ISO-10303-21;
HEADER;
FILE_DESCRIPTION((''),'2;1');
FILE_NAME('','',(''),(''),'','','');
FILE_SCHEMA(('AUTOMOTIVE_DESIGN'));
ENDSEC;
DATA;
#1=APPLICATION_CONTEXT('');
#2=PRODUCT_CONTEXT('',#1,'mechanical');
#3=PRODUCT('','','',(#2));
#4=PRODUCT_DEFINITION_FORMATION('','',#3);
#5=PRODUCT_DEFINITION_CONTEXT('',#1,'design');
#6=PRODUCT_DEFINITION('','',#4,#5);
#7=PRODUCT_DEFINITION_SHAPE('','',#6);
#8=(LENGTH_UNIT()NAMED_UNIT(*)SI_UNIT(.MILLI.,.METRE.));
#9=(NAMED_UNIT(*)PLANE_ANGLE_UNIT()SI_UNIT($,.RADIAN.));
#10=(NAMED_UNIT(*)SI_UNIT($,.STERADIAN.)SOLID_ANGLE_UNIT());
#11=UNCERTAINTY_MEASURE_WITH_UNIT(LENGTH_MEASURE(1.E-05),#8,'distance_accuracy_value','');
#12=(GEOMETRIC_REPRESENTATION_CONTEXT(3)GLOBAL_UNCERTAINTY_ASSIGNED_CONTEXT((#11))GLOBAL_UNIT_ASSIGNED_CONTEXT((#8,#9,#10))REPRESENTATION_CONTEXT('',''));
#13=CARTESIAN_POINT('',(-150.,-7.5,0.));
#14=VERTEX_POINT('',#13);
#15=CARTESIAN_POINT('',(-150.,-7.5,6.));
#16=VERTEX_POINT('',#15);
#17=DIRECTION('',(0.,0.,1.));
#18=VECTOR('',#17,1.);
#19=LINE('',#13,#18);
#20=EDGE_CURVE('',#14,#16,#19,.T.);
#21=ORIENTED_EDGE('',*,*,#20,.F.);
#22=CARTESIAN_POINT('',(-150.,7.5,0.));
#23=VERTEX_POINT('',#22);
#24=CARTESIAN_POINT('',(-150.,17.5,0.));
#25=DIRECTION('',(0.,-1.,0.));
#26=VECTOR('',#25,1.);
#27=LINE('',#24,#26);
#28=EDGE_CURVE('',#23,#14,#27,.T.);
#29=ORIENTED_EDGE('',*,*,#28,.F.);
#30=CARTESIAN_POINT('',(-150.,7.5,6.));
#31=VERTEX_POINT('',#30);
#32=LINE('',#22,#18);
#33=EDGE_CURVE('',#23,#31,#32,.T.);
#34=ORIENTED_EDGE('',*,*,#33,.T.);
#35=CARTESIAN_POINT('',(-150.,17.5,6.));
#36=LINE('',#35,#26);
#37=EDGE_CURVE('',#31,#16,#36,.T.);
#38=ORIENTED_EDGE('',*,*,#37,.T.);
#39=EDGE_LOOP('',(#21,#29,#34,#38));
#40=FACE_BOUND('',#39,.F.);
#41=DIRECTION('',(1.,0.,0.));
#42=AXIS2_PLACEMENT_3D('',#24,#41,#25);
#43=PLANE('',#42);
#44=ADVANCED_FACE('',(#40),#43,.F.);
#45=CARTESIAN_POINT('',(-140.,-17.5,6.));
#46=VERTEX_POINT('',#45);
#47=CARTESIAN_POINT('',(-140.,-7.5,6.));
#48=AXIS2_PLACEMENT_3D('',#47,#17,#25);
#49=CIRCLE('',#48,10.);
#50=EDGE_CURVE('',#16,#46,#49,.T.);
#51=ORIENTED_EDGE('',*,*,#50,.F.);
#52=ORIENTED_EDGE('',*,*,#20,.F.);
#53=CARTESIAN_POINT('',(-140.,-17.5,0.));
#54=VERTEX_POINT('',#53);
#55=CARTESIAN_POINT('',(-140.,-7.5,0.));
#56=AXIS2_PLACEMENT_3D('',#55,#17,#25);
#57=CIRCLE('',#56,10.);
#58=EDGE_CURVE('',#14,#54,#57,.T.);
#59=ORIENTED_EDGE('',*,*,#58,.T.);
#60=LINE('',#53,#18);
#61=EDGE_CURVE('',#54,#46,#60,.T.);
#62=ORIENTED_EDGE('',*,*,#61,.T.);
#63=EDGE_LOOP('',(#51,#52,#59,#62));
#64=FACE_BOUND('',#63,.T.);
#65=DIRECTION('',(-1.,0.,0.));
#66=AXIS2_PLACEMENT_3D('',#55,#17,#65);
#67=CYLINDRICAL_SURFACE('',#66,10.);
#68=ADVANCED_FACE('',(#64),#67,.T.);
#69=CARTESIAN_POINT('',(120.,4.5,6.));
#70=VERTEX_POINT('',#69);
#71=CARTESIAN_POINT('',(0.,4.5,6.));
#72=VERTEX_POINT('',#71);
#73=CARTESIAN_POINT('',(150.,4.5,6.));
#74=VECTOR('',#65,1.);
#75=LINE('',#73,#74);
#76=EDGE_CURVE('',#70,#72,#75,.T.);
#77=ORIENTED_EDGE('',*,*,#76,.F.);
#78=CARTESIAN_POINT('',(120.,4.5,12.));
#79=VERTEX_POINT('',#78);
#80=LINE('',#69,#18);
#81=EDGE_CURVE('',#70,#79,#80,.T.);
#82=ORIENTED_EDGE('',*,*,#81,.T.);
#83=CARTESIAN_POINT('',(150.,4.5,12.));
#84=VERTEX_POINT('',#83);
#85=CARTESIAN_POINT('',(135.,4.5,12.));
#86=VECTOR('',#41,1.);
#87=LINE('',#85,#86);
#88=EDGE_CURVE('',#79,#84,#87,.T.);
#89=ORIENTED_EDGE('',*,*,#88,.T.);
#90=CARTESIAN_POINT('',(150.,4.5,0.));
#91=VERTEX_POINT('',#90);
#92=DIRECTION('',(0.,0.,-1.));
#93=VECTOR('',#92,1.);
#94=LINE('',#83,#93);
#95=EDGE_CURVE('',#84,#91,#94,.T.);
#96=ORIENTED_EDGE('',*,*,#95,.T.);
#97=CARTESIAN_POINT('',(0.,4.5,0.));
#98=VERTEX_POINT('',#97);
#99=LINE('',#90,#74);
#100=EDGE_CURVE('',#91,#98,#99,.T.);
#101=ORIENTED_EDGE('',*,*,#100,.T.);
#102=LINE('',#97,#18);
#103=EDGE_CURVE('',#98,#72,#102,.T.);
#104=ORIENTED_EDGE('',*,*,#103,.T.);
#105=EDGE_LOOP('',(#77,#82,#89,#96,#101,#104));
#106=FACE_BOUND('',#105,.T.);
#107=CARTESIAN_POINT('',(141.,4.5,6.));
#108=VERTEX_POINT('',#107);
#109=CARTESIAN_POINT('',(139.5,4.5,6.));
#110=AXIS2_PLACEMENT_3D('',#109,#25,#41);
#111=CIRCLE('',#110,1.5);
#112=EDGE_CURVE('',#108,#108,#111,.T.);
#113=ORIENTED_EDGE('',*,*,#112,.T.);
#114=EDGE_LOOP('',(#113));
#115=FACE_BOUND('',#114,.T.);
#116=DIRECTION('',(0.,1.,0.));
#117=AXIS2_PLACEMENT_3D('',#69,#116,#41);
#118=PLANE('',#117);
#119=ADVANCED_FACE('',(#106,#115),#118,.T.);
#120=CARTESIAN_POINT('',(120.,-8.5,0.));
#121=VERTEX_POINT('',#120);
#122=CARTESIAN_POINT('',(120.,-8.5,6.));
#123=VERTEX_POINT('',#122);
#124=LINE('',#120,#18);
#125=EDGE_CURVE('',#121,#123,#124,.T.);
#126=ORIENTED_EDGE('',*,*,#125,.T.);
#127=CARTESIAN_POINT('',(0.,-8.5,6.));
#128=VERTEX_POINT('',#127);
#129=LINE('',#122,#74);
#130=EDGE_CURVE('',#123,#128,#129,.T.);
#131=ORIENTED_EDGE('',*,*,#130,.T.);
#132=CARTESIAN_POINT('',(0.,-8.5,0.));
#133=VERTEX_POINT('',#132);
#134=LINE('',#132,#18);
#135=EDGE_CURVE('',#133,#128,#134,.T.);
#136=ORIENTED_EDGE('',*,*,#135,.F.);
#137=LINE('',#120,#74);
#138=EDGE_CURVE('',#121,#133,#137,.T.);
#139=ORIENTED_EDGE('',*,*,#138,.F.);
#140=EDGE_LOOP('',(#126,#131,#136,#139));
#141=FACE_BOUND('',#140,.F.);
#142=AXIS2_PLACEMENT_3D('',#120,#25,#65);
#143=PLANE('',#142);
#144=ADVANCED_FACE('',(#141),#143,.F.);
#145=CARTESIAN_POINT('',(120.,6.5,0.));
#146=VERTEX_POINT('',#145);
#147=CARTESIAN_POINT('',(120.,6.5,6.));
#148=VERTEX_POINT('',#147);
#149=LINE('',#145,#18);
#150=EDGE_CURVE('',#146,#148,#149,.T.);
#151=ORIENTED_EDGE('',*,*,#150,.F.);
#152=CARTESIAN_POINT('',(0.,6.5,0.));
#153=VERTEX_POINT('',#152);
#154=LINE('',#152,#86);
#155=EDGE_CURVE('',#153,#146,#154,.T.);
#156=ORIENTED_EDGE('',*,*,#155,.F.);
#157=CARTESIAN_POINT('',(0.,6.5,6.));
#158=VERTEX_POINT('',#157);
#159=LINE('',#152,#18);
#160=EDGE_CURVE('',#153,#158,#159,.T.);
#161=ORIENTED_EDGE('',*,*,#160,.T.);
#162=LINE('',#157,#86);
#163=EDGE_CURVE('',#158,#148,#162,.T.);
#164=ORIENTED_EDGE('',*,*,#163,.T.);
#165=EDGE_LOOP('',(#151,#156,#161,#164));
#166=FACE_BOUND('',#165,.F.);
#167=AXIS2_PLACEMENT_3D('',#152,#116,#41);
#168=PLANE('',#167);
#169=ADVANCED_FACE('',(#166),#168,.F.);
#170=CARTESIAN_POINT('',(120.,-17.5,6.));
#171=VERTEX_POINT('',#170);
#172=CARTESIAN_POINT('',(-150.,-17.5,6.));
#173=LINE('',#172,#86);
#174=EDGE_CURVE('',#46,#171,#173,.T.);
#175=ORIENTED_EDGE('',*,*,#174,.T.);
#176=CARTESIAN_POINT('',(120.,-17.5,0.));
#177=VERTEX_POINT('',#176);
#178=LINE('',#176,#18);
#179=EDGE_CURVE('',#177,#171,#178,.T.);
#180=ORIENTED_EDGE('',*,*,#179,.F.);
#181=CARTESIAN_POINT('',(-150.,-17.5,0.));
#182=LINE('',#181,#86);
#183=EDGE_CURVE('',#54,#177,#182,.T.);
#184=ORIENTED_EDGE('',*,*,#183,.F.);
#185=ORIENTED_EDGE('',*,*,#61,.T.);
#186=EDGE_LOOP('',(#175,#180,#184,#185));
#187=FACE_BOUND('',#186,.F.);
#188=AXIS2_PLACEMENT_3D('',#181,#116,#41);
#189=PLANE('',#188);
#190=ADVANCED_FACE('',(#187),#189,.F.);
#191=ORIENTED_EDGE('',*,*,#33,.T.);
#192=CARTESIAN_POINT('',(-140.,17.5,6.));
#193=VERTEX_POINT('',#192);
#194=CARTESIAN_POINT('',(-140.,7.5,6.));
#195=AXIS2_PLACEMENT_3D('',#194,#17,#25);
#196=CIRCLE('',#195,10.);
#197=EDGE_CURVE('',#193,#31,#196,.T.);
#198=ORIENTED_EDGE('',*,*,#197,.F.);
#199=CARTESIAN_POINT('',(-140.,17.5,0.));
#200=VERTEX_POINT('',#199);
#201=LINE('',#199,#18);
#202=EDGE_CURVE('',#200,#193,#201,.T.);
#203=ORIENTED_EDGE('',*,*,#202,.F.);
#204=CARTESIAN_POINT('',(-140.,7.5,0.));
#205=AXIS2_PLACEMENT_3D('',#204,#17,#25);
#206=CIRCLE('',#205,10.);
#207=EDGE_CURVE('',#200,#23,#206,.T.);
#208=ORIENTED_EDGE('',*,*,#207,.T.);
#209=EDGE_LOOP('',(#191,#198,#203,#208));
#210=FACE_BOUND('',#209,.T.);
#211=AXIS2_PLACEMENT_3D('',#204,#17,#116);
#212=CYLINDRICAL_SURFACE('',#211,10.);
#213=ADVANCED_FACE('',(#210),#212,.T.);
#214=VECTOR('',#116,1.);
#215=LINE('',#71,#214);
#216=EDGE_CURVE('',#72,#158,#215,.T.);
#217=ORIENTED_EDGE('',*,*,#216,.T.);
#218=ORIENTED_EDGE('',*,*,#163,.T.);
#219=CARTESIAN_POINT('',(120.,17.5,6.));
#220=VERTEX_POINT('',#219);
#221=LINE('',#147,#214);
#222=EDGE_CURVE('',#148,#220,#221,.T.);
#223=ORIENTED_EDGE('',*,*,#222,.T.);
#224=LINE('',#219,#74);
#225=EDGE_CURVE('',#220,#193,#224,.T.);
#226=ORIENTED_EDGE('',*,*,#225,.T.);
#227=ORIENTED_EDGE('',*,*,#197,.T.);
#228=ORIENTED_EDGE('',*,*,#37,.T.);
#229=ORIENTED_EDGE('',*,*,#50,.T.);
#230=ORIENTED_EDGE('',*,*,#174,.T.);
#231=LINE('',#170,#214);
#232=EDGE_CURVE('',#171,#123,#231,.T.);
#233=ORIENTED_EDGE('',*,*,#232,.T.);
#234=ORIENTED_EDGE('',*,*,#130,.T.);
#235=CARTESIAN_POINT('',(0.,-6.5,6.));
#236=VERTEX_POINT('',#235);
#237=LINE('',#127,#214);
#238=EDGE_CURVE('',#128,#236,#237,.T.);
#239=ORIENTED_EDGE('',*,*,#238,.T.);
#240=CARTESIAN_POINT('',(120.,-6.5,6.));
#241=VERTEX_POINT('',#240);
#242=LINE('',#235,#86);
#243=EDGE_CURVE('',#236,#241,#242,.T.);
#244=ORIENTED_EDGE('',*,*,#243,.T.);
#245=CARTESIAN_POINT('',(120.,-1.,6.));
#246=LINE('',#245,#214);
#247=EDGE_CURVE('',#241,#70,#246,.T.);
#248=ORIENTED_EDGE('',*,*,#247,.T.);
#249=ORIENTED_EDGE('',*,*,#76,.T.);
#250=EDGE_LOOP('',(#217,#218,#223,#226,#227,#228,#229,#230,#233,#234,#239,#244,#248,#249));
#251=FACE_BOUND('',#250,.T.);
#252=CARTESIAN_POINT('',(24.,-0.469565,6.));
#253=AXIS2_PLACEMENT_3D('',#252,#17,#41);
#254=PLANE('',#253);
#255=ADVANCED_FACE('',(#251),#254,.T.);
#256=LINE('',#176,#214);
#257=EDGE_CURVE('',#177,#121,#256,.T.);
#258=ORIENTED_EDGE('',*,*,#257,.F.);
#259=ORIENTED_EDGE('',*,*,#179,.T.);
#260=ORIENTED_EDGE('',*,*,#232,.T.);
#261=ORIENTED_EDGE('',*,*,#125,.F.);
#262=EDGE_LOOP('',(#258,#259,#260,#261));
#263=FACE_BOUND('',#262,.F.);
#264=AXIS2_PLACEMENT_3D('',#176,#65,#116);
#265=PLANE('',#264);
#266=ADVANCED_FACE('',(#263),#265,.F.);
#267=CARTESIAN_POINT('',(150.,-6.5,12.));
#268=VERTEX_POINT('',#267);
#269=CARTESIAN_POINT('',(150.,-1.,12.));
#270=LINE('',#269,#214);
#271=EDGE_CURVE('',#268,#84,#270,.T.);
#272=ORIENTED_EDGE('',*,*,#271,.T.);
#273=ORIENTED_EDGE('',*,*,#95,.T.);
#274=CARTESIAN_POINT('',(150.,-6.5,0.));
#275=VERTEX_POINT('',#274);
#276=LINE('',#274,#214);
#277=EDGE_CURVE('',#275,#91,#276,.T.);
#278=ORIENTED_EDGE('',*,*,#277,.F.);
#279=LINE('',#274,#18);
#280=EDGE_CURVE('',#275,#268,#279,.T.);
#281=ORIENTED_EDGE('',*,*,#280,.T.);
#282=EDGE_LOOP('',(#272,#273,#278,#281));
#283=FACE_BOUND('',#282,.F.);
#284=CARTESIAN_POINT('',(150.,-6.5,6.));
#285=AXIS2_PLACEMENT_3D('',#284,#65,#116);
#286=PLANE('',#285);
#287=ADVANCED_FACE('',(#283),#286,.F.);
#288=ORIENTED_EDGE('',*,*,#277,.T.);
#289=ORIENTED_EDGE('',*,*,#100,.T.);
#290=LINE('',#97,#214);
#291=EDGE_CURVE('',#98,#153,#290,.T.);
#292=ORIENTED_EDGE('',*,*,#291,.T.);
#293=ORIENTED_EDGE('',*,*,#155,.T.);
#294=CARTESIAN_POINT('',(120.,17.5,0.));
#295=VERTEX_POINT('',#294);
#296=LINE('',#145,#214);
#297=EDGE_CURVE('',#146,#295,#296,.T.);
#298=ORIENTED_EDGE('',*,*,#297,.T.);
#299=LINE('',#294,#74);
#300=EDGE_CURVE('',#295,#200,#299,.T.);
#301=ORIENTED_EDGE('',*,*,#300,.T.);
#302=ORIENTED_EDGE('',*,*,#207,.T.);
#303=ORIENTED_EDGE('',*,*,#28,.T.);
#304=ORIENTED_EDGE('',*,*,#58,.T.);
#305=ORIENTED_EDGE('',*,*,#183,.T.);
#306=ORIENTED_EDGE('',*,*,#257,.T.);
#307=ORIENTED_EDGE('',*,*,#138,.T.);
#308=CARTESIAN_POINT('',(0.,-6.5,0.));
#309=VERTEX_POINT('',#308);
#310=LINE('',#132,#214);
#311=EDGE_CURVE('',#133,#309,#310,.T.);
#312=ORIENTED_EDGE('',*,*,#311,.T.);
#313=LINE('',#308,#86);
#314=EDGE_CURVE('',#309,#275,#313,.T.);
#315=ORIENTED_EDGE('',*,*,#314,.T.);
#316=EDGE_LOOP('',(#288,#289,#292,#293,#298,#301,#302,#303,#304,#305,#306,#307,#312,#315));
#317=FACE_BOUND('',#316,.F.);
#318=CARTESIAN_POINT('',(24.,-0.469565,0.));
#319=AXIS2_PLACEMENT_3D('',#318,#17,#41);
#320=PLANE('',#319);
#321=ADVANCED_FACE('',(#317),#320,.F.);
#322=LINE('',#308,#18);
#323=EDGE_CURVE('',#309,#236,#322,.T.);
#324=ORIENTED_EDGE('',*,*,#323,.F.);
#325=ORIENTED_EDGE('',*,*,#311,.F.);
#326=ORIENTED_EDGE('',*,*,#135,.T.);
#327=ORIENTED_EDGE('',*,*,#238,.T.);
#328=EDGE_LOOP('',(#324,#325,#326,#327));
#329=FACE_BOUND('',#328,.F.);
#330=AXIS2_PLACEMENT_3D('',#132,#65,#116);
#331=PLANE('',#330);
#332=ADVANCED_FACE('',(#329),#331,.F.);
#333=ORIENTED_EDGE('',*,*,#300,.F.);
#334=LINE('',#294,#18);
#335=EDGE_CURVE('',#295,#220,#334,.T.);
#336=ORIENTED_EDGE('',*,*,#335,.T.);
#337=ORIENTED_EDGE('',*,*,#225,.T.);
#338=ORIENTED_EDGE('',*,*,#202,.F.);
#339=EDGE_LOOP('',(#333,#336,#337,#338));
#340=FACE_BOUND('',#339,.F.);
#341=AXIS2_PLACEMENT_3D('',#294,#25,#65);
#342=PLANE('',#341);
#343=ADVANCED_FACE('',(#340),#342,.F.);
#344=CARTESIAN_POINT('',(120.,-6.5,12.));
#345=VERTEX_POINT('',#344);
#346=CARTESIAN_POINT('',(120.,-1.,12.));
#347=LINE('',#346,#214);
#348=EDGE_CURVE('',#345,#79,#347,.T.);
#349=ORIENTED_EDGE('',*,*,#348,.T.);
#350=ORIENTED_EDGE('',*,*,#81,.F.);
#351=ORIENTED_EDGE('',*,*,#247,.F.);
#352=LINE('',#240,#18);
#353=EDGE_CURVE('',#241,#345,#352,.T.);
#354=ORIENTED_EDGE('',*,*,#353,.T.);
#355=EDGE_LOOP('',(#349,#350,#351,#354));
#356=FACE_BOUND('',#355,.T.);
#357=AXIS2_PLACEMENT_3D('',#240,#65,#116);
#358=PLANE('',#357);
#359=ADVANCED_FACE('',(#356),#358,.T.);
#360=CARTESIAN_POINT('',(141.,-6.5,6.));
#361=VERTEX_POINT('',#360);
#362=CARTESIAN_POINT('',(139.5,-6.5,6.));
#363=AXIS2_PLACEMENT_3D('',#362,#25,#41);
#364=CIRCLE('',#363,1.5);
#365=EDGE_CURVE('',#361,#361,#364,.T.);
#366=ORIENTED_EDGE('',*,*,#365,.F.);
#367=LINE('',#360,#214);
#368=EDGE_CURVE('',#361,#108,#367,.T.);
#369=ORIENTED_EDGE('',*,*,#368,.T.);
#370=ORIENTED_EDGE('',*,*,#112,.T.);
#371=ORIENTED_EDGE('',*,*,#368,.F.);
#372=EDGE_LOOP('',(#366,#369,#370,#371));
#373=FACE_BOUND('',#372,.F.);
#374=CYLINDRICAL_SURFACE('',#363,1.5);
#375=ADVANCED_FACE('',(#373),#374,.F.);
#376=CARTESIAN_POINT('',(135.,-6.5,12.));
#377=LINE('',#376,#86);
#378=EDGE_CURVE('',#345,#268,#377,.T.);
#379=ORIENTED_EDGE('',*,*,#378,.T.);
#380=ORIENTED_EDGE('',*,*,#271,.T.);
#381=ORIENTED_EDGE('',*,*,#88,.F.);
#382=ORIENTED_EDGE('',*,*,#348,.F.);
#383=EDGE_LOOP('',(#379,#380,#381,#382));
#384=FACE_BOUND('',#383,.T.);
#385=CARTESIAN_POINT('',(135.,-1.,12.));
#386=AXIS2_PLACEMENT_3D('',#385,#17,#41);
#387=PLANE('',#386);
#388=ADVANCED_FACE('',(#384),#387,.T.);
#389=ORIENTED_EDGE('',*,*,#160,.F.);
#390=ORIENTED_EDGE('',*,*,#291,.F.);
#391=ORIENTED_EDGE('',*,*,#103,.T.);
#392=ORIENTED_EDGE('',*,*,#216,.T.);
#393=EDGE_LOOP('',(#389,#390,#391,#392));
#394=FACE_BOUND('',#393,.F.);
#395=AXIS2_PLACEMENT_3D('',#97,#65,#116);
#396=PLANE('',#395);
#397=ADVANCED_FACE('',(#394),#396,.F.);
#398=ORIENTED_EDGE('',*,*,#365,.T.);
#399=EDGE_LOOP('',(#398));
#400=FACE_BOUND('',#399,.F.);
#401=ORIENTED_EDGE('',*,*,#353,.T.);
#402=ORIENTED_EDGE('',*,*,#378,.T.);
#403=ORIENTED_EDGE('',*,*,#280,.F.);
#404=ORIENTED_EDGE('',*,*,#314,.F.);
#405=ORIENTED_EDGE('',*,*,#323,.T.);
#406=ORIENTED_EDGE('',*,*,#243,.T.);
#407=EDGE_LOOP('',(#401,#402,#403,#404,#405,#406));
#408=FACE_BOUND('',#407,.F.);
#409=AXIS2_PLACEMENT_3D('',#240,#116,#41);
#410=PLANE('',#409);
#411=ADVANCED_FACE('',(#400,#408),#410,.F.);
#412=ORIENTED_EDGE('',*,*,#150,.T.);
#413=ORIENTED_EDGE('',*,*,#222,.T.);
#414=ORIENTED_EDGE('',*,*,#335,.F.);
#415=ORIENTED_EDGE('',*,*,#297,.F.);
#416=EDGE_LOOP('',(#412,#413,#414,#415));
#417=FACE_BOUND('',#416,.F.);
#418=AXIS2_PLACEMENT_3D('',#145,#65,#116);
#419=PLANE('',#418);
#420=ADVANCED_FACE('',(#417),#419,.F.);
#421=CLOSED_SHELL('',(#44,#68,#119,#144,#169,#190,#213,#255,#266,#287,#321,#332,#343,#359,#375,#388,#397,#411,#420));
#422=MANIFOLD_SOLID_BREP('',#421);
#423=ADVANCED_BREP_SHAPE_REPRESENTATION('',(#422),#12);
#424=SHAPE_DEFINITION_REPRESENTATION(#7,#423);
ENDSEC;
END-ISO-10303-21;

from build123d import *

# Parameters (mm, degrees)
F1_DEPTH = 6
F2_R     = 10
F3_W     = 30
F3_H     = 11
F4_DEPTH = 6
F5_R     = 1.5
F6_DEPTH = 25


with BuildPart() as f1:
    # F0 (on Top) → F1 (new body)
    with BuildSketch(Plane.XY):
        Polygon((120, 17.5), (-150, 17.5), (-150, -17.5), (120, -17.5), (120, -8.5), (0, -8.5), (0, -6.5), (150, -6.5), (150, 4.5), (0, 4.5), (0, 6.5), (120, 6.5), align=None)
    extrude(amount=F1_DEPTH)

    # F2
    f2_edges = [f1.edges().sort_by_distance(p)[0] for p in [
        (-150, -17.5, 3),
        (-150, 17.5, 3),
    ]]
    fillet(f2_edges, radius=F2_R)

    # F3 (on face) → F4 (join)
    with BuildSketch(Plane.XY.offset(6)):
        with Locations((135, -1)):
            Rectangle(F3_W, F3_H)
    extrude(amount=F4_DEPTH)

    # F5 (on face) → F6 (cut)
    with BuildSketch(Plane.XZ.offset(6.5)):
        with Locations((139.5, 6)):
            Circle(F5_R)
    extrude(amount=-F6_DEPTH, mode=Mode.SUBTRACT)


solid = f1.part
